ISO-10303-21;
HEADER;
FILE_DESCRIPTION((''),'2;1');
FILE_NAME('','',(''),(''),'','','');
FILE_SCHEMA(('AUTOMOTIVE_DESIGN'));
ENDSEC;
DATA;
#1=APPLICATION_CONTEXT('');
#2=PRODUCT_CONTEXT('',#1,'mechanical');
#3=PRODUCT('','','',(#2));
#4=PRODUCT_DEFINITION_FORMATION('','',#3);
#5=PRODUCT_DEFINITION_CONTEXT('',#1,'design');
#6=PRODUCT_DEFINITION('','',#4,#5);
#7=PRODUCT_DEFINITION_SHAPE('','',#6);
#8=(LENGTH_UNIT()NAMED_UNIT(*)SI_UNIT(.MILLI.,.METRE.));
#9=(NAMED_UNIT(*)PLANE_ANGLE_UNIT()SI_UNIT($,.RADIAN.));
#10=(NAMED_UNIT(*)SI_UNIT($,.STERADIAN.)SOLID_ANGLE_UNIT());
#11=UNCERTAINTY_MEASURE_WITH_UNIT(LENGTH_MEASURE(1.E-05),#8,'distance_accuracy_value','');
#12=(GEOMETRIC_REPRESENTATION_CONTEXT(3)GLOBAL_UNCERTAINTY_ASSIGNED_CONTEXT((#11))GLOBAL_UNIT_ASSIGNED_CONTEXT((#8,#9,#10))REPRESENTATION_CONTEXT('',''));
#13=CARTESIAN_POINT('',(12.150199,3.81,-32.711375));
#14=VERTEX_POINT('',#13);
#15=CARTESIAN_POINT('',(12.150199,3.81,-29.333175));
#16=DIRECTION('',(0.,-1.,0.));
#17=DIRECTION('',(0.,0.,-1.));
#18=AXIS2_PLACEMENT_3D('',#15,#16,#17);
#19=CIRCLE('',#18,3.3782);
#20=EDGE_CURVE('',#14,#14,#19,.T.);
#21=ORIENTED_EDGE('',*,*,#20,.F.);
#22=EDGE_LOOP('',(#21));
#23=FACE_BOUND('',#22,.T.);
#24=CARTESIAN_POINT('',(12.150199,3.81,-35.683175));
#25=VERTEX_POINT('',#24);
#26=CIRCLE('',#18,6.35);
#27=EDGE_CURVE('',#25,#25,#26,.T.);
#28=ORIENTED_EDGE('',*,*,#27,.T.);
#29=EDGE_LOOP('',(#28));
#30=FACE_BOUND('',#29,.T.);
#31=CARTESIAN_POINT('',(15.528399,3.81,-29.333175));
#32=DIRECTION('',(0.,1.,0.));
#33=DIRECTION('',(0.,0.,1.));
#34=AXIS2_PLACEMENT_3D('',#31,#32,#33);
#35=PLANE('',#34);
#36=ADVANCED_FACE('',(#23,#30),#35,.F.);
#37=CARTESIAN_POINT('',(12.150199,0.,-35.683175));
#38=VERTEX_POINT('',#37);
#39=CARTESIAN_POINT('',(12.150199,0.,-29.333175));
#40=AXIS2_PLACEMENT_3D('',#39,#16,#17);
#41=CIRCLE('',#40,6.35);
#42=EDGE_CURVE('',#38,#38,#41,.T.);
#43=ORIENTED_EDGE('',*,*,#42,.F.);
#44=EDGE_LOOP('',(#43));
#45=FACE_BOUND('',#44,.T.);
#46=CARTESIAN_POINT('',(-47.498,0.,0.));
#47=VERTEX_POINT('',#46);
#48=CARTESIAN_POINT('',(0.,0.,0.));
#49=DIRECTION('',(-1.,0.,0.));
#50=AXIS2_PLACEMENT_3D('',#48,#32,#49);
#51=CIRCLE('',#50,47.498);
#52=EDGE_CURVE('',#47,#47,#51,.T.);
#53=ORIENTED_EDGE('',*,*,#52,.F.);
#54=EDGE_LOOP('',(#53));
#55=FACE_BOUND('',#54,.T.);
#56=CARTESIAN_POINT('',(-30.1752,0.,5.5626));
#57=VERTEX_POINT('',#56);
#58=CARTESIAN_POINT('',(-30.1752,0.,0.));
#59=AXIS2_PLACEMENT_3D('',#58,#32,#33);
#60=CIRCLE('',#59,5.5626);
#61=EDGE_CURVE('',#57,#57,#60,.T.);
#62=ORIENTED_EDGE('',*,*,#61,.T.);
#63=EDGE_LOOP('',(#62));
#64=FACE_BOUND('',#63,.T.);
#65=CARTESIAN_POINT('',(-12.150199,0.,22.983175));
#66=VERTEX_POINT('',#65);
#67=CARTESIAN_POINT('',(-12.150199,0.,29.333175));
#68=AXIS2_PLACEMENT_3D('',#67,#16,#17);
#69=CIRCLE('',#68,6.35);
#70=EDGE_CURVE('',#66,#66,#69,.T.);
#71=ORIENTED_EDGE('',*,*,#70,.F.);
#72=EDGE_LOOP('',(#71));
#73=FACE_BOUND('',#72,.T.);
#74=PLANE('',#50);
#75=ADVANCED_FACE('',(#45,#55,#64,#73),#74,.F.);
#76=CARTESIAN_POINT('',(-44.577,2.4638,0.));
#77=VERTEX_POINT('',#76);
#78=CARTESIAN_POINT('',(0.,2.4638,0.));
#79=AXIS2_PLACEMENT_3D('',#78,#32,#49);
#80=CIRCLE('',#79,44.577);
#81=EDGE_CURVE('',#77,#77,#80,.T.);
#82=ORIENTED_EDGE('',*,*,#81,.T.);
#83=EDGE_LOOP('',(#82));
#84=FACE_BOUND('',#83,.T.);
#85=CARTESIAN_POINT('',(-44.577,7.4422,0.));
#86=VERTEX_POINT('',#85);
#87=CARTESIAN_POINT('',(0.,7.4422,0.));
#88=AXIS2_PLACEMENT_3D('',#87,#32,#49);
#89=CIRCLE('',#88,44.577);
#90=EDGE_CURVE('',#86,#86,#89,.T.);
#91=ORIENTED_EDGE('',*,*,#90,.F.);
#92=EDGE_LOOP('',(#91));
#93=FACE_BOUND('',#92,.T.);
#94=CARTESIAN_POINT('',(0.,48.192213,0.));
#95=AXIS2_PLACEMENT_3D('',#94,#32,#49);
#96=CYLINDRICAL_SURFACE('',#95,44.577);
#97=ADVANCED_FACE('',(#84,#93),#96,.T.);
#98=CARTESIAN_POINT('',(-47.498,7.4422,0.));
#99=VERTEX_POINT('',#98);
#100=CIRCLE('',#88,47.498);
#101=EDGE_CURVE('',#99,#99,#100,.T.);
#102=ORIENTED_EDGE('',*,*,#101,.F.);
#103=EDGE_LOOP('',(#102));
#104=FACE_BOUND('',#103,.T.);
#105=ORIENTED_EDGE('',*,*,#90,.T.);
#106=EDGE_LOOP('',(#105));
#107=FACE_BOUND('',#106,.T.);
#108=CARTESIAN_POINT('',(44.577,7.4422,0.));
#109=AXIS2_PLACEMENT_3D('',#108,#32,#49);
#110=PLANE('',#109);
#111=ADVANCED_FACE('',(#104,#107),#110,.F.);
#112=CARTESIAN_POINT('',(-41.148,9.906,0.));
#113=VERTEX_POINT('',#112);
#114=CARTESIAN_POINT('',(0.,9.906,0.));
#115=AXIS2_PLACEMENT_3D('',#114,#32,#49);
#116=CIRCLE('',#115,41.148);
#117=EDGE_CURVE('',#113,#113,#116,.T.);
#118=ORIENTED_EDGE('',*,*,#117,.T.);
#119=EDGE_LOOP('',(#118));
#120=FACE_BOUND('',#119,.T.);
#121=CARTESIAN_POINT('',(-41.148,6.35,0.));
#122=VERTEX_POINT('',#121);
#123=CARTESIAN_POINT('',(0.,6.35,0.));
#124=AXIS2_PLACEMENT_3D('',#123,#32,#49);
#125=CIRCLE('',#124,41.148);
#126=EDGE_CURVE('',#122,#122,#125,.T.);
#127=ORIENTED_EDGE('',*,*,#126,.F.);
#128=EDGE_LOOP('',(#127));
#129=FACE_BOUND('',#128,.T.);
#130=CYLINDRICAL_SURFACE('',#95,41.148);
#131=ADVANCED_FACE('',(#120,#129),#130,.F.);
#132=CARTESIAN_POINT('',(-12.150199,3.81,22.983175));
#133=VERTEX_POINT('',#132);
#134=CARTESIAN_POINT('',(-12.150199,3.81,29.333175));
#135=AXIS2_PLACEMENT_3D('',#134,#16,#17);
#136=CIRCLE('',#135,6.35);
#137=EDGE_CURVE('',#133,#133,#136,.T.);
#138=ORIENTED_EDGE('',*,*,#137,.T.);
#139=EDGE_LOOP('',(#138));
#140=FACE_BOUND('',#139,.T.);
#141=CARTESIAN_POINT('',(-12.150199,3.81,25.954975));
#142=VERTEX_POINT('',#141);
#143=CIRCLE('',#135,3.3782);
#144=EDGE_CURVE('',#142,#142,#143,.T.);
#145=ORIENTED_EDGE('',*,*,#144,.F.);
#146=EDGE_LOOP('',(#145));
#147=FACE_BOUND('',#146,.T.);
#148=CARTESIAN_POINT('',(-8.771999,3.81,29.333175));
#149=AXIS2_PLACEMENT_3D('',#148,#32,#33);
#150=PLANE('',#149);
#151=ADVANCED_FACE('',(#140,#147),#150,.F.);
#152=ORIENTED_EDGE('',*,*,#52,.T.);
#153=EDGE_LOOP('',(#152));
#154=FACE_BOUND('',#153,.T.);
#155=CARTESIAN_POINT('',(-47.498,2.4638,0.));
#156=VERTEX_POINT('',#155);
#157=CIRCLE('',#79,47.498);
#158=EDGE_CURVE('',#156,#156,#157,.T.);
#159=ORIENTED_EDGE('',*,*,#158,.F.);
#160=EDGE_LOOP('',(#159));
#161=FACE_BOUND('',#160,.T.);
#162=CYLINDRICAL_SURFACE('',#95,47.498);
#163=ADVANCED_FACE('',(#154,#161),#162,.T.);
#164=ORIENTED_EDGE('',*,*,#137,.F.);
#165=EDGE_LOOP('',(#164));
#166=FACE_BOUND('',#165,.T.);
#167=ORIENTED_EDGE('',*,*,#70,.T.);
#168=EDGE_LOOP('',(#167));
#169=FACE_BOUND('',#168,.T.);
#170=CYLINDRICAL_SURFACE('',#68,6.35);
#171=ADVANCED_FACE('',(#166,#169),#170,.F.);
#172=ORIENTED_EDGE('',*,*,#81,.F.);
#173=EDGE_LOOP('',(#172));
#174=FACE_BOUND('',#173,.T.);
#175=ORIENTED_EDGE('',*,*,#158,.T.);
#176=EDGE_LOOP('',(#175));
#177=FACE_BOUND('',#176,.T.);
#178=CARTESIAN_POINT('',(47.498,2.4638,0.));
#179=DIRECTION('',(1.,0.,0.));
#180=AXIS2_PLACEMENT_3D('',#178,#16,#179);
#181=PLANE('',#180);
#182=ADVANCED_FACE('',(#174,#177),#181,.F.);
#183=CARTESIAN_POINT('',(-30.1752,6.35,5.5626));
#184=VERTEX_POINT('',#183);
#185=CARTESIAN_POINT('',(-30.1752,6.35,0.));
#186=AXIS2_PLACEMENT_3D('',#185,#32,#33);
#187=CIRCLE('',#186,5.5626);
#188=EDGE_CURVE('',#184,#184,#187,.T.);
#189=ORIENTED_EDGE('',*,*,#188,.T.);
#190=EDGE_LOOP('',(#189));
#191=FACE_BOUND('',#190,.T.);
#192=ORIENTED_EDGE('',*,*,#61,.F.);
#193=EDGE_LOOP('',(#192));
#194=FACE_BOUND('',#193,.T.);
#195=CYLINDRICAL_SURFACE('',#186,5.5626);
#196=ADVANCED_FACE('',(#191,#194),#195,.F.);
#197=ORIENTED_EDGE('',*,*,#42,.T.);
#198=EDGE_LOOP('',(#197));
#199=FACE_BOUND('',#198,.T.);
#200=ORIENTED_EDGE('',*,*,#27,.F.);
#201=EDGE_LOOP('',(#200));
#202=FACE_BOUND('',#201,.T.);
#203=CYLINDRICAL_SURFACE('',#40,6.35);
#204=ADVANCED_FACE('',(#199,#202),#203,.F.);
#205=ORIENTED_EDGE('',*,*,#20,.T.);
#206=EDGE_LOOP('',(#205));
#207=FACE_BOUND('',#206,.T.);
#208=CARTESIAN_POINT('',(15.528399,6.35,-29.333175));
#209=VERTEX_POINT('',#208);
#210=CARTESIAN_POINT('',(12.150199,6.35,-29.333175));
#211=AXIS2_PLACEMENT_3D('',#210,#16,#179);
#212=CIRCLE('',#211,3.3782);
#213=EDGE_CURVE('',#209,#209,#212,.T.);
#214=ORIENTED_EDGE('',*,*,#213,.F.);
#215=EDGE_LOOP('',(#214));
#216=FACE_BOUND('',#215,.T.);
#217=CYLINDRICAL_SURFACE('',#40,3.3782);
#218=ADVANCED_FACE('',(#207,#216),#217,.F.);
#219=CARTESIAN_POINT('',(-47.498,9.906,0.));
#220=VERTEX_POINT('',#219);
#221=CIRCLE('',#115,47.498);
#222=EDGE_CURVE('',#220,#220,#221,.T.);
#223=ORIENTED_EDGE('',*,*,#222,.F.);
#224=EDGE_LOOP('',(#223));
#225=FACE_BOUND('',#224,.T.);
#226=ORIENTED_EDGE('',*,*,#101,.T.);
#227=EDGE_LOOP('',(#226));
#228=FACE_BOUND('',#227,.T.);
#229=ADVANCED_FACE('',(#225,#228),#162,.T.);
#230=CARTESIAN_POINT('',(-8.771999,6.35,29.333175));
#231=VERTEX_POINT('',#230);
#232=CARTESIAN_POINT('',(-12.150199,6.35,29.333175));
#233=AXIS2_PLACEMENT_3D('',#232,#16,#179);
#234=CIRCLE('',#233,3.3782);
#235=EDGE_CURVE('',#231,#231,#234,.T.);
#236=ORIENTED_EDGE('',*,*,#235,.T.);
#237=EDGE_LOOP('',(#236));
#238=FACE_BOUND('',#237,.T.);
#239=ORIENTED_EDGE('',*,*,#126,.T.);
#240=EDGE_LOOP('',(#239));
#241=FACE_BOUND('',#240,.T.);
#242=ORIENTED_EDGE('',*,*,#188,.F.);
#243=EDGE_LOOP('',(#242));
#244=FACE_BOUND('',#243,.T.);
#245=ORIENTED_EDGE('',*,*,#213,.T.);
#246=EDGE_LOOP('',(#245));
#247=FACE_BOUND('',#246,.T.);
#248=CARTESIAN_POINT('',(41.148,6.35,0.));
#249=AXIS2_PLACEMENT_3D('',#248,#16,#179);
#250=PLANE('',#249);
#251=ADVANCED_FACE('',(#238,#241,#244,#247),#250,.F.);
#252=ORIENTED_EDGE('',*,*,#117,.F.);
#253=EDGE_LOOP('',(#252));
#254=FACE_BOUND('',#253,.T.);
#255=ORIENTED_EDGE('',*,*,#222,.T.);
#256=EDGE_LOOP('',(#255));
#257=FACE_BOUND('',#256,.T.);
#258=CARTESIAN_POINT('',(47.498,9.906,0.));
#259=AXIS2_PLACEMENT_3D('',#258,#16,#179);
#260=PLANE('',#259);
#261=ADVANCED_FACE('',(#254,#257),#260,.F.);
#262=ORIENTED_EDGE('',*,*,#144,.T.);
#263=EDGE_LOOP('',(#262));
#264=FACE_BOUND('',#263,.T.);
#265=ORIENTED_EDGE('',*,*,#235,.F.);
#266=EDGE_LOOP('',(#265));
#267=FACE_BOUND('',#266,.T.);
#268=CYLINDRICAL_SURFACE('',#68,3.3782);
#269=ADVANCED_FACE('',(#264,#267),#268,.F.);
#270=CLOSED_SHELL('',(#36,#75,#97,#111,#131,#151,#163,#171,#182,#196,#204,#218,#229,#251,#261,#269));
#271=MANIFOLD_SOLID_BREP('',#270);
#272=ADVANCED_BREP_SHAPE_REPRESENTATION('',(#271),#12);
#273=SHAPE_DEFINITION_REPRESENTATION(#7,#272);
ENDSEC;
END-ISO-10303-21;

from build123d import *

# Parameters (mm, degrees)
TAP_DRILL_FOR_1_4_TAP_1_4_18_NPT_D                   = 11.1252
CBORE_FOR_1_4_BINDING_HEAD_MACHINE_SCREW_D           = 6.7564
CBORE_FOR_1_4_BINDING_HEAD_MACHINE_SCREW_CBORE_D     = 12.7
CBORE_FOR_1_4_BINDING_HEAD_MACHINE_SCREW_CBORE_DEPTH = 3.81


with BuildPart() as part:
    # Sketch1 → Revolve1 (revolve)
    with BuildSketch(Plane.XY, mode=Mode.PRIVATE) as revolve1_sk:
        Polygon((0, 0), (47.498, 0), (47.498, 2.4638), (44.577, 2.4638), (44.577, 7.4422), (47.498, 7.4422), (47.498, 9.906), (41.148, 9.906), (41.148, 6.35), (0, 6.35), align=None)
    revolve(revolve1_sk.sketch.rotate(Axis((0, 48.192213231, 0), (0, -1, 0)), 180), axis=Axis((0, 48.192213231, 0), (0, -1, 0)))

    # Tap Drill for 1/4 Tap - 1/4-18 NPT (through all)
    with Locations(Plane(origin=(0, 6.35, 0), x_dir=(1, 0, 0), z_dir=(0, 1, 0))):
        with Locations((-30.1752, 0)):
            Hole(TAP_DRILL_FOR_1_4_TAP_1_4_18_NPT_D / 2)

    # CBORE for 1/4 Binding Head Machine Screw1 (through all)
    with Locations(Plane.XZ):
        with Locations((12.150198978, -29.333175157), (-12.150198978, 29.333175157)):
            CounterBoreHole(CBORE_FOR_1_4_BINDING_HEAD_MACHINE_SCREW_D / 2, CBORE_FOR_1_4_BINDING_HEAD_MACHINE_SCREW_CBORE_D / 2, CBORE_FOR_1_4_BINDING_HEAD_MACHINE_SCREW_CBORE_DEPTH)


solid = part.part
